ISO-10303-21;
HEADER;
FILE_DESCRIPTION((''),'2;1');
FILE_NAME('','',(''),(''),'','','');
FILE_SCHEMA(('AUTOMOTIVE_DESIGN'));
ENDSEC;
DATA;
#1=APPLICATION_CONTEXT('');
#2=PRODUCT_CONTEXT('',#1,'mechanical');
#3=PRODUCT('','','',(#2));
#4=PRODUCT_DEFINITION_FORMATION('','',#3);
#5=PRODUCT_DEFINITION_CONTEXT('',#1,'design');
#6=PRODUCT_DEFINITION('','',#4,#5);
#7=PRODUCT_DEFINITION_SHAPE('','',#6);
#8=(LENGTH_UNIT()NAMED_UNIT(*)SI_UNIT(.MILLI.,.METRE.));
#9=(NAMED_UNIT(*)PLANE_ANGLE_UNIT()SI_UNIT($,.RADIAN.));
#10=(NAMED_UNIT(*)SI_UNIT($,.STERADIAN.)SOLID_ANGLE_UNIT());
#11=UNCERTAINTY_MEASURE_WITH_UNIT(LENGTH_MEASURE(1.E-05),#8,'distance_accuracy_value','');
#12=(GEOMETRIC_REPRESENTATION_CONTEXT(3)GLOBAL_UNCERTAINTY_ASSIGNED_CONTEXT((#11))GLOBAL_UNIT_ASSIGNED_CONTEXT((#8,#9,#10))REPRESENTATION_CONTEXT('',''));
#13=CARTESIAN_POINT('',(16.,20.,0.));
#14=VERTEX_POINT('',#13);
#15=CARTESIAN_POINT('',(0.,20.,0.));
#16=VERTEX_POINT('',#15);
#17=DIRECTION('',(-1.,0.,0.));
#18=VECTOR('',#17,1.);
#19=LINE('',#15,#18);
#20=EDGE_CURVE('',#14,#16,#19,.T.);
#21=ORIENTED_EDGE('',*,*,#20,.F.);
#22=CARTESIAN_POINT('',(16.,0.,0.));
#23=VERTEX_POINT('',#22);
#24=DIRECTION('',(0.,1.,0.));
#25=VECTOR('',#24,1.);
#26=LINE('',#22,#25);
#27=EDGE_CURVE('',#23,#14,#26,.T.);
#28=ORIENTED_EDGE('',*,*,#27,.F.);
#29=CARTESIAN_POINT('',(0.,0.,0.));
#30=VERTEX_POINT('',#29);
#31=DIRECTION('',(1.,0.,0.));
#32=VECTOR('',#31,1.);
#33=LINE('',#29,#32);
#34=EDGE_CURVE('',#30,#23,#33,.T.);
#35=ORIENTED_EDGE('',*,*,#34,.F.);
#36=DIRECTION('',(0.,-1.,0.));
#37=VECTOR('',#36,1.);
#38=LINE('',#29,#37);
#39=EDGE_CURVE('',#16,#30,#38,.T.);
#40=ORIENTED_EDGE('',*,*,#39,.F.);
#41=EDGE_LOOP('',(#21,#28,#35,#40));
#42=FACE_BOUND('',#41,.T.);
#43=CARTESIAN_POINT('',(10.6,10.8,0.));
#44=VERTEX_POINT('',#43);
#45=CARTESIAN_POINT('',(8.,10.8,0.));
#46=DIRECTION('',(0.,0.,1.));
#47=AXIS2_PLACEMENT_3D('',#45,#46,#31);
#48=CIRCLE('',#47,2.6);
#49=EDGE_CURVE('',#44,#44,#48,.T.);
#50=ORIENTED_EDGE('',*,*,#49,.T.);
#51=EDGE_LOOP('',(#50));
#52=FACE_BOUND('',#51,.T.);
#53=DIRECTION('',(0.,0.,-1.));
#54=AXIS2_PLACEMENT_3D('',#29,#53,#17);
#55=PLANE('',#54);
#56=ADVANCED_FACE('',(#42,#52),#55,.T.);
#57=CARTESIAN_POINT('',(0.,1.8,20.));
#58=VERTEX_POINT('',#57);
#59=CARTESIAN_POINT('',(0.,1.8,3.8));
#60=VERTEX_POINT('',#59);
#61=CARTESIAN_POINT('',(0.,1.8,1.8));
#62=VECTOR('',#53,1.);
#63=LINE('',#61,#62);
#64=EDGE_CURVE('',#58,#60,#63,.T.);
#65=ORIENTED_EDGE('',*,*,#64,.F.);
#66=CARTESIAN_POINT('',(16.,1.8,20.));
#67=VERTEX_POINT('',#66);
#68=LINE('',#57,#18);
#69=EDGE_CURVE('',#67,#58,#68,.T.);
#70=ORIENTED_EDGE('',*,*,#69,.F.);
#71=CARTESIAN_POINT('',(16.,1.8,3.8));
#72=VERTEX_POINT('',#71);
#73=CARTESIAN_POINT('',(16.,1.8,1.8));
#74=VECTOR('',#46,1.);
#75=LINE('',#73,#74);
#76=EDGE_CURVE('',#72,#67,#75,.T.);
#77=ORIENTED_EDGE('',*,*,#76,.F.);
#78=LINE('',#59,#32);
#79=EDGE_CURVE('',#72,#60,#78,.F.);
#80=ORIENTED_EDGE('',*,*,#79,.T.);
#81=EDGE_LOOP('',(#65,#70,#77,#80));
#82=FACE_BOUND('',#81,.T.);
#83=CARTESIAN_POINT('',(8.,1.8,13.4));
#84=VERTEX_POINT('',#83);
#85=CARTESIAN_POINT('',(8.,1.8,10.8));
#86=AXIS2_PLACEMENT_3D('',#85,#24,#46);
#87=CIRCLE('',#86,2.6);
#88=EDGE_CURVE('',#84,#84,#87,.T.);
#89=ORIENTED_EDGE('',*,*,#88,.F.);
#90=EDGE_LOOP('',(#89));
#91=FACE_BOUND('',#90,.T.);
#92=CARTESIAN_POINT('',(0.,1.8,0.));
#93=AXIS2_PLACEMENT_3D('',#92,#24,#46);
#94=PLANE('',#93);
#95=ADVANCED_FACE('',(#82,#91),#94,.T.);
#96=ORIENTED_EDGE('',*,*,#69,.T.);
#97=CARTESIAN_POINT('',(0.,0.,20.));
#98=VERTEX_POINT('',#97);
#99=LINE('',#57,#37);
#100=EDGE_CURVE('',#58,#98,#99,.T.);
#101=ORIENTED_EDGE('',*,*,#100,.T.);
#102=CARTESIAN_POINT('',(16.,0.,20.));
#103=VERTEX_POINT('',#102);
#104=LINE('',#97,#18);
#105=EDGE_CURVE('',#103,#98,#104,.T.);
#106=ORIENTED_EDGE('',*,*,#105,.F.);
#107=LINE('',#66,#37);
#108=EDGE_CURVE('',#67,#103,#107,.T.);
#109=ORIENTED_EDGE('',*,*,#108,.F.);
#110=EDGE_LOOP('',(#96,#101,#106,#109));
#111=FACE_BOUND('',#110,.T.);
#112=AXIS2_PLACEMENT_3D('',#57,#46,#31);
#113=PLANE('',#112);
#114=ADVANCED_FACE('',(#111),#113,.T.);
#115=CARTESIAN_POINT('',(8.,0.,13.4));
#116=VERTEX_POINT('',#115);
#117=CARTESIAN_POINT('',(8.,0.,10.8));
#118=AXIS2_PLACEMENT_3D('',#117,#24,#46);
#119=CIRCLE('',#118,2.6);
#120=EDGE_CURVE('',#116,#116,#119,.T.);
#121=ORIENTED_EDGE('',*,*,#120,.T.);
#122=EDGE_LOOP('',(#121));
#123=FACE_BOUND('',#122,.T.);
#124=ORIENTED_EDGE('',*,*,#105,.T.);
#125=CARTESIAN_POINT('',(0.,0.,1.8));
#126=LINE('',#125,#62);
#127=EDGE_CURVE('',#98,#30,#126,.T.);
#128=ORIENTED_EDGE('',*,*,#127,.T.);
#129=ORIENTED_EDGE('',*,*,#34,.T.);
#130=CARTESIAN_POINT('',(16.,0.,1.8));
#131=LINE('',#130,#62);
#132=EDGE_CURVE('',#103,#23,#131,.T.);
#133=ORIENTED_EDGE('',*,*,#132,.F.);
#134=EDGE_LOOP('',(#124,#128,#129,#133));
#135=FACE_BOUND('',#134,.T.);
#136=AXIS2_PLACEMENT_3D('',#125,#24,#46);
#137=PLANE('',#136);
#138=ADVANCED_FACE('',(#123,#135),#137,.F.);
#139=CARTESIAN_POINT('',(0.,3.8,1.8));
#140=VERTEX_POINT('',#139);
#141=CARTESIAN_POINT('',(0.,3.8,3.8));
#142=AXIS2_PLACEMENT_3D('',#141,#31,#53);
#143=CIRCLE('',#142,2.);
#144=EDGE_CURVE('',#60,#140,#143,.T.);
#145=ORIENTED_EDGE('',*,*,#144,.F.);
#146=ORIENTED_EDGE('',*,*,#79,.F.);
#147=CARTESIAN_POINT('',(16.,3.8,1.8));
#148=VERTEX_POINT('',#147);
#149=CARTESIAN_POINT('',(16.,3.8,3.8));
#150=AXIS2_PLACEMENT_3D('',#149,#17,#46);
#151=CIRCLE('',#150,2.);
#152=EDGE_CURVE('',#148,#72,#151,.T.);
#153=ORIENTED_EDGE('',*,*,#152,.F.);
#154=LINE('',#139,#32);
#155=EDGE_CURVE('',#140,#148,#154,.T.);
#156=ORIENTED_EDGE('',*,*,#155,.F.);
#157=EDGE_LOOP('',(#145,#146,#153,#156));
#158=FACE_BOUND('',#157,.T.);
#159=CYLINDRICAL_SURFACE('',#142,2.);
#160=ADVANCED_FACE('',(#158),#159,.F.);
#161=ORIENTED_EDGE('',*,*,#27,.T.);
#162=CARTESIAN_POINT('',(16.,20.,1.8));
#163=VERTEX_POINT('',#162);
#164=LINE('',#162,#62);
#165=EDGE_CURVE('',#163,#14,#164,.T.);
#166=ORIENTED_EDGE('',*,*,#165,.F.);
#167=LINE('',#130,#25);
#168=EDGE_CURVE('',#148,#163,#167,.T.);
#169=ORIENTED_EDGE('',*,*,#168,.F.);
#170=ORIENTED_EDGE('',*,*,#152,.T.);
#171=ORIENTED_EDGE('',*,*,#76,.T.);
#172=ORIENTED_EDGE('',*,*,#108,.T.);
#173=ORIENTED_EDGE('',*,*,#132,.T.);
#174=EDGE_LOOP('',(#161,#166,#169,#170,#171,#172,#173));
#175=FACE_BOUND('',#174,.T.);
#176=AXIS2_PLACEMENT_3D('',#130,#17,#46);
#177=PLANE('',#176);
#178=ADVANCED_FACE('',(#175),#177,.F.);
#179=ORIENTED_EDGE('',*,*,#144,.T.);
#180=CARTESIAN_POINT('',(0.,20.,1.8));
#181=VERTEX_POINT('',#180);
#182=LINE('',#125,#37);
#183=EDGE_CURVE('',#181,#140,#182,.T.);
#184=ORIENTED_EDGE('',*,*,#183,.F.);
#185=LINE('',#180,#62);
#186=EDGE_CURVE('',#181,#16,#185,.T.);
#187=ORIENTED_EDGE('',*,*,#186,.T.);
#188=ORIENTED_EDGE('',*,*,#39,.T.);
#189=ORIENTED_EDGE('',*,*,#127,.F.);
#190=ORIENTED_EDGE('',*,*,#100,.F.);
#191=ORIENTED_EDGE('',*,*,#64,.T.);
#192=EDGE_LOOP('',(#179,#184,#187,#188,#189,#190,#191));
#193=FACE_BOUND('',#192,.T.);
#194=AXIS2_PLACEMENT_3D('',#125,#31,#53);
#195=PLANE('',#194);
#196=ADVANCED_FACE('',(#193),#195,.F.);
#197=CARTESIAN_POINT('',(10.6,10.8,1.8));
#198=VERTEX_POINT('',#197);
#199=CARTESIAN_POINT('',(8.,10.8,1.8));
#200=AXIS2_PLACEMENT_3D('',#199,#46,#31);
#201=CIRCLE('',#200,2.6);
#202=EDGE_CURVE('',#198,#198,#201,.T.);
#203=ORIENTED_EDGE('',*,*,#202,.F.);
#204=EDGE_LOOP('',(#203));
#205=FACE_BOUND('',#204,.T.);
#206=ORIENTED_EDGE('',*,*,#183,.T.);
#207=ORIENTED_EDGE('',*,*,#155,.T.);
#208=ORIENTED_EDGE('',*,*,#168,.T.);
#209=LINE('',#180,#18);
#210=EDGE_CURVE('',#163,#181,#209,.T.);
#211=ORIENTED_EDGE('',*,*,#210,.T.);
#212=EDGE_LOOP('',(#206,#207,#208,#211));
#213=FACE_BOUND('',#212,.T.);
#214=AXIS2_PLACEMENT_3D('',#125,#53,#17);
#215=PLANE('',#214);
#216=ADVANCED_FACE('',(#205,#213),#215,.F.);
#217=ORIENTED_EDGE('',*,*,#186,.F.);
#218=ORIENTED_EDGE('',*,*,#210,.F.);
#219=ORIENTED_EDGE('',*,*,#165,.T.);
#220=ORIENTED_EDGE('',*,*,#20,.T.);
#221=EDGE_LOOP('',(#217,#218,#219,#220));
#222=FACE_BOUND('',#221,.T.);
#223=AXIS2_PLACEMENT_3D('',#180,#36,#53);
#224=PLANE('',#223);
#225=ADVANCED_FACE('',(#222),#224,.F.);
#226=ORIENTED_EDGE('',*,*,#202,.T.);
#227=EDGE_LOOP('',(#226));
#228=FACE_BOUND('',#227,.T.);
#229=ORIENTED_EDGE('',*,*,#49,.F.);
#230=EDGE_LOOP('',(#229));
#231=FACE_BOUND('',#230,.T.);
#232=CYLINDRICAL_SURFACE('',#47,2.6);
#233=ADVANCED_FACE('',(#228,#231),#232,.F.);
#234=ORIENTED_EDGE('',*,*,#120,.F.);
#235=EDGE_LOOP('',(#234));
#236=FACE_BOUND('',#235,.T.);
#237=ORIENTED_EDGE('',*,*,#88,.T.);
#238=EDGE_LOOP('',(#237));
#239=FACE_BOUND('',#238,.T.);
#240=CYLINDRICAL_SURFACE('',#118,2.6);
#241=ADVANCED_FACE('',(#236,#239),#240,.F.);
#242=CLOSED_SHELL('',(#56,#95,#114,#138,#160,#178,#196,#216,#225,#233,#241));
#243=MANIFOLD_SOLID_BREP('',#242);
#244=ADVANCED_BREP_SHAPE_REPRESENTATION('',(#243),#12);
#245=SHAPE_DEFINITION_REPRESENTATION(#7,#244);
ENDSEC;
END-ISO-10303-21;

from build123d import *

# Parameters (mm, degrees)
SKETCH1_W           = 16
SKETCH1_H           = 20
BOSS_EXTRUDE1_DEPTH = 1.8
SKETCH2_W           = 16
SKETCH2_H           = 18.2
BOSS_EXTRUDE2_DEPTH = 1.8
SKETCH3_R           = 2.6
CUT_EXTRUDE1_DEPTH  = 1.8
SKETCH4_R           = 2.6
CUT_EXTRUDE2_DEPTH  = 1.8
FILLET1_R           = 2


with BuildPart() as part:
    # Sketch1 → Boss-Extrude1 (new body)
    with BuildSketch(Plane.XY):
        with Locations((8, 10)):
            Rectangle(SKETCH1_W, SKETCH1_H)
    extrude(amount=BOSS_EXTRUDE1_DEPTH)

    # Sketch2 → Boss-Extrude2 (add)
    with BuildSketch(Plane.XZ):
        with Locations((8, 10.9)):
            Rectangle(SKETCH2_W, SKETCH2_H)
    extrude(amount=-BOSS_EXTRUDE2_DEPTH)

    # Sketch3 → Cut-Extrude1 (cut)
    with BuildSketch(Plane.XY.offset(1.8)):
        with Locations((8, 10.8)):
            Circle(SKETCH3_R)
    extrude(amount=-CUT_EXTRUDE1_DEPTH, mode=Mode.SUBTRACT)

    # Sketch4 → Cut-Extrude2 (cut)
    with BuildSketch(Plane(origin=(0, 1.8, 0), x_dir=(1, 0, 0), z_dir=(0, 1, 0))):
        with Locations(Location((8, -10.8, 0), (0, 0, 270))):
            Circle(SKETCH4_R)
    extrude(amount=-CUT_EXTRUDE2_DEPTH, mode=Mode.SUBTRACT)

    # Fillet1
    fillet1_edges = [part.edges().sort_by_distance(p)[0] for p in [
        (8, 1.8, 1.8),
    ]]
    fillet(fillet1_edges, radius=FILLET1_R)


solid = part.part
